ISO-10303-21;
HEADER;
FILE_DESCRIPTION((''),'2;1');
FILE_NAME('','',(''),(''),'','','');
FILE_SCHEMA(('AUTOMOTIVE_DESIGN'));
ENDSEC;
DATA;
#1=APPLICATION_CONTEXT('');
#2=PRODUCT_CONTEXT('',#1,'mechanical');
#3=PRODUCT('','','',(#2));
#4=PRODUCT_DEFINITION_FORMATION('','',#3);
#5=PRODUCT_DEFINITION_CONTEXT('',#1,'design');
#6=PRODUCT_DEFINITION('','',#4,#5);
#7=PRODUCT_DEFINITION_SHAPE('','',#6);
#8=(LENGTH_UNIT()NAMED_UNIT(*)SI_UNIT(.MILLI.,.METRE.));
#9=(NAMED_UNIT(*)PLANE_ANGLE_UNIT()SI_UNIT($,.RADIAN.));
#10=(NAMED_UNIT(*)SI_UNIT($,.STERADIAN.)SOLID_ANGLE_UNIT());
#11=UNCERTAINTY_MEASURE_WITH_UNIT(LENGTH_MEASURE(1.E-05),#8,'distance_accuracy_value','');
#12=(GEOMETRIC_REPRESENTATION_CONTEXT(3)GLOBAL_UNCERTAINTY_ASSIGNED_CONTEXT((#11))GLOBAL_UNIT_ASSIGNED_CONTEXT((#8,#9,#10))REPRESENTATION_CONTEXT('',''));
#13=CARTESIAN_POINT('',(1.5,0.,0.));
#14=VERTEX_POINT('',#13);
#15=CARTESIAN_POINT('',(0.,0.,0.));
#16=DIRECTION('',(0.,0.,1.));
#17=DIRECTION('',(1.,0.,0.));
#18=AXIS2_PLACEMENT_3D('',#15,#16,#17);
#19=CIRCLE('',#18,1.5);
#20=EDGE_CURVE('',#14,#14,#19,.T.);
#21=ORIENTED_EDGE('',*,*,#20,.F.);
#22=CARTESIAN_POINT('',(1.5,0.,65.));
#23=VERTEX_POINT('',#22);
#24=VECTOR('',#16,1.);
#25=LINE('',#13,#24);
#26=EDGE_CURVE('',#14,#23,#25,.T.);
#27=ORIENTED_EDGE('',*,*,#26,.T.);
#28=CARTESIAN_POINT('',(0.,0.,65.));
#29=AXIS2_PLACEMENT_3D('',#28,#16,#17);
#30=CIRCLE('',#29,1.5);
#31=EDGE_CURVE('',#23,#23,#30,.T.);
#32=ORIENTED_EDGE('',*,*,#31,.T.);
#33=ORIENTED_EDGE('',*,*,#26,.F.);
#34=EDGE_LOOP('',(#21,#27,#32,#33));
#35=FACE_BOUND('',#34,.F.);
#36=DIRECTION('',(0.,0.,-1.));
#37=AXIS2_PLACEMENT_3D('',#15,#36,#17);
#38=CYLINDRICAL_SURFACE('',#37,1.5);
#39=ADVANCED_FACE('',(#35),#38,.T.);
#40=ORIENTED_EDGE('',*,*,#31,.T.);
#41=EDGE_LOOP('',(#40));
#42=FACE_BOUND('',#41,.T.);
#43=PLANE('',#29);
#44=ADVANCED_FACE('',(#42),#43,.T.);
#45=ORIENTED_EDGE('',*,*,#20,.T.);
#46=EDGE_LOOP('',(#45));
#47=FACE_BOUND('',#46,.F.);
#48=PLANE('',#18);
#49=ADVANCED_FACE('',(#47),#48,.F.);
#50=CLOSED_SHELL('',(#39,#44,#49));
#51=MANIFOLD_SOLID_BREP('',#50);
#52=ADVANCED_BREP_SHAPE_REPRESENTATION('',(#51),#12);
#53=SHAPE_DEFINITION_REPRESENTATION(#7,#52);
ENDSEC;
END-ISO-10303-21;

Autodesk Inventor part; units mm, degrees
ref_plane "YZ Plane" through (0, 0, 0) normal (1, 0, 0) x (0, 1, 0)
ref_plane "XZ Plane" through (0, 0, 0) normal (0, 1, 0) x (-1, 0, 0)
ref_plane "XY Plane" through (0, 0, 0) normal (0, 0, 1) x (1, 0, 0)
sketch "スケッチ1" plane through (0, 0, 0) normal (0, 0, 1) x (1, 0, 0)
  circle A0 centre (0, 0) radius 1.5
  dimension "d0" = 3
extrude "押し出し1" add sketch "スケッチ1" along normal blind 65
properties part number "Shaft 65mm" material "ステンレス鋼 AISI 440C、溶接"
